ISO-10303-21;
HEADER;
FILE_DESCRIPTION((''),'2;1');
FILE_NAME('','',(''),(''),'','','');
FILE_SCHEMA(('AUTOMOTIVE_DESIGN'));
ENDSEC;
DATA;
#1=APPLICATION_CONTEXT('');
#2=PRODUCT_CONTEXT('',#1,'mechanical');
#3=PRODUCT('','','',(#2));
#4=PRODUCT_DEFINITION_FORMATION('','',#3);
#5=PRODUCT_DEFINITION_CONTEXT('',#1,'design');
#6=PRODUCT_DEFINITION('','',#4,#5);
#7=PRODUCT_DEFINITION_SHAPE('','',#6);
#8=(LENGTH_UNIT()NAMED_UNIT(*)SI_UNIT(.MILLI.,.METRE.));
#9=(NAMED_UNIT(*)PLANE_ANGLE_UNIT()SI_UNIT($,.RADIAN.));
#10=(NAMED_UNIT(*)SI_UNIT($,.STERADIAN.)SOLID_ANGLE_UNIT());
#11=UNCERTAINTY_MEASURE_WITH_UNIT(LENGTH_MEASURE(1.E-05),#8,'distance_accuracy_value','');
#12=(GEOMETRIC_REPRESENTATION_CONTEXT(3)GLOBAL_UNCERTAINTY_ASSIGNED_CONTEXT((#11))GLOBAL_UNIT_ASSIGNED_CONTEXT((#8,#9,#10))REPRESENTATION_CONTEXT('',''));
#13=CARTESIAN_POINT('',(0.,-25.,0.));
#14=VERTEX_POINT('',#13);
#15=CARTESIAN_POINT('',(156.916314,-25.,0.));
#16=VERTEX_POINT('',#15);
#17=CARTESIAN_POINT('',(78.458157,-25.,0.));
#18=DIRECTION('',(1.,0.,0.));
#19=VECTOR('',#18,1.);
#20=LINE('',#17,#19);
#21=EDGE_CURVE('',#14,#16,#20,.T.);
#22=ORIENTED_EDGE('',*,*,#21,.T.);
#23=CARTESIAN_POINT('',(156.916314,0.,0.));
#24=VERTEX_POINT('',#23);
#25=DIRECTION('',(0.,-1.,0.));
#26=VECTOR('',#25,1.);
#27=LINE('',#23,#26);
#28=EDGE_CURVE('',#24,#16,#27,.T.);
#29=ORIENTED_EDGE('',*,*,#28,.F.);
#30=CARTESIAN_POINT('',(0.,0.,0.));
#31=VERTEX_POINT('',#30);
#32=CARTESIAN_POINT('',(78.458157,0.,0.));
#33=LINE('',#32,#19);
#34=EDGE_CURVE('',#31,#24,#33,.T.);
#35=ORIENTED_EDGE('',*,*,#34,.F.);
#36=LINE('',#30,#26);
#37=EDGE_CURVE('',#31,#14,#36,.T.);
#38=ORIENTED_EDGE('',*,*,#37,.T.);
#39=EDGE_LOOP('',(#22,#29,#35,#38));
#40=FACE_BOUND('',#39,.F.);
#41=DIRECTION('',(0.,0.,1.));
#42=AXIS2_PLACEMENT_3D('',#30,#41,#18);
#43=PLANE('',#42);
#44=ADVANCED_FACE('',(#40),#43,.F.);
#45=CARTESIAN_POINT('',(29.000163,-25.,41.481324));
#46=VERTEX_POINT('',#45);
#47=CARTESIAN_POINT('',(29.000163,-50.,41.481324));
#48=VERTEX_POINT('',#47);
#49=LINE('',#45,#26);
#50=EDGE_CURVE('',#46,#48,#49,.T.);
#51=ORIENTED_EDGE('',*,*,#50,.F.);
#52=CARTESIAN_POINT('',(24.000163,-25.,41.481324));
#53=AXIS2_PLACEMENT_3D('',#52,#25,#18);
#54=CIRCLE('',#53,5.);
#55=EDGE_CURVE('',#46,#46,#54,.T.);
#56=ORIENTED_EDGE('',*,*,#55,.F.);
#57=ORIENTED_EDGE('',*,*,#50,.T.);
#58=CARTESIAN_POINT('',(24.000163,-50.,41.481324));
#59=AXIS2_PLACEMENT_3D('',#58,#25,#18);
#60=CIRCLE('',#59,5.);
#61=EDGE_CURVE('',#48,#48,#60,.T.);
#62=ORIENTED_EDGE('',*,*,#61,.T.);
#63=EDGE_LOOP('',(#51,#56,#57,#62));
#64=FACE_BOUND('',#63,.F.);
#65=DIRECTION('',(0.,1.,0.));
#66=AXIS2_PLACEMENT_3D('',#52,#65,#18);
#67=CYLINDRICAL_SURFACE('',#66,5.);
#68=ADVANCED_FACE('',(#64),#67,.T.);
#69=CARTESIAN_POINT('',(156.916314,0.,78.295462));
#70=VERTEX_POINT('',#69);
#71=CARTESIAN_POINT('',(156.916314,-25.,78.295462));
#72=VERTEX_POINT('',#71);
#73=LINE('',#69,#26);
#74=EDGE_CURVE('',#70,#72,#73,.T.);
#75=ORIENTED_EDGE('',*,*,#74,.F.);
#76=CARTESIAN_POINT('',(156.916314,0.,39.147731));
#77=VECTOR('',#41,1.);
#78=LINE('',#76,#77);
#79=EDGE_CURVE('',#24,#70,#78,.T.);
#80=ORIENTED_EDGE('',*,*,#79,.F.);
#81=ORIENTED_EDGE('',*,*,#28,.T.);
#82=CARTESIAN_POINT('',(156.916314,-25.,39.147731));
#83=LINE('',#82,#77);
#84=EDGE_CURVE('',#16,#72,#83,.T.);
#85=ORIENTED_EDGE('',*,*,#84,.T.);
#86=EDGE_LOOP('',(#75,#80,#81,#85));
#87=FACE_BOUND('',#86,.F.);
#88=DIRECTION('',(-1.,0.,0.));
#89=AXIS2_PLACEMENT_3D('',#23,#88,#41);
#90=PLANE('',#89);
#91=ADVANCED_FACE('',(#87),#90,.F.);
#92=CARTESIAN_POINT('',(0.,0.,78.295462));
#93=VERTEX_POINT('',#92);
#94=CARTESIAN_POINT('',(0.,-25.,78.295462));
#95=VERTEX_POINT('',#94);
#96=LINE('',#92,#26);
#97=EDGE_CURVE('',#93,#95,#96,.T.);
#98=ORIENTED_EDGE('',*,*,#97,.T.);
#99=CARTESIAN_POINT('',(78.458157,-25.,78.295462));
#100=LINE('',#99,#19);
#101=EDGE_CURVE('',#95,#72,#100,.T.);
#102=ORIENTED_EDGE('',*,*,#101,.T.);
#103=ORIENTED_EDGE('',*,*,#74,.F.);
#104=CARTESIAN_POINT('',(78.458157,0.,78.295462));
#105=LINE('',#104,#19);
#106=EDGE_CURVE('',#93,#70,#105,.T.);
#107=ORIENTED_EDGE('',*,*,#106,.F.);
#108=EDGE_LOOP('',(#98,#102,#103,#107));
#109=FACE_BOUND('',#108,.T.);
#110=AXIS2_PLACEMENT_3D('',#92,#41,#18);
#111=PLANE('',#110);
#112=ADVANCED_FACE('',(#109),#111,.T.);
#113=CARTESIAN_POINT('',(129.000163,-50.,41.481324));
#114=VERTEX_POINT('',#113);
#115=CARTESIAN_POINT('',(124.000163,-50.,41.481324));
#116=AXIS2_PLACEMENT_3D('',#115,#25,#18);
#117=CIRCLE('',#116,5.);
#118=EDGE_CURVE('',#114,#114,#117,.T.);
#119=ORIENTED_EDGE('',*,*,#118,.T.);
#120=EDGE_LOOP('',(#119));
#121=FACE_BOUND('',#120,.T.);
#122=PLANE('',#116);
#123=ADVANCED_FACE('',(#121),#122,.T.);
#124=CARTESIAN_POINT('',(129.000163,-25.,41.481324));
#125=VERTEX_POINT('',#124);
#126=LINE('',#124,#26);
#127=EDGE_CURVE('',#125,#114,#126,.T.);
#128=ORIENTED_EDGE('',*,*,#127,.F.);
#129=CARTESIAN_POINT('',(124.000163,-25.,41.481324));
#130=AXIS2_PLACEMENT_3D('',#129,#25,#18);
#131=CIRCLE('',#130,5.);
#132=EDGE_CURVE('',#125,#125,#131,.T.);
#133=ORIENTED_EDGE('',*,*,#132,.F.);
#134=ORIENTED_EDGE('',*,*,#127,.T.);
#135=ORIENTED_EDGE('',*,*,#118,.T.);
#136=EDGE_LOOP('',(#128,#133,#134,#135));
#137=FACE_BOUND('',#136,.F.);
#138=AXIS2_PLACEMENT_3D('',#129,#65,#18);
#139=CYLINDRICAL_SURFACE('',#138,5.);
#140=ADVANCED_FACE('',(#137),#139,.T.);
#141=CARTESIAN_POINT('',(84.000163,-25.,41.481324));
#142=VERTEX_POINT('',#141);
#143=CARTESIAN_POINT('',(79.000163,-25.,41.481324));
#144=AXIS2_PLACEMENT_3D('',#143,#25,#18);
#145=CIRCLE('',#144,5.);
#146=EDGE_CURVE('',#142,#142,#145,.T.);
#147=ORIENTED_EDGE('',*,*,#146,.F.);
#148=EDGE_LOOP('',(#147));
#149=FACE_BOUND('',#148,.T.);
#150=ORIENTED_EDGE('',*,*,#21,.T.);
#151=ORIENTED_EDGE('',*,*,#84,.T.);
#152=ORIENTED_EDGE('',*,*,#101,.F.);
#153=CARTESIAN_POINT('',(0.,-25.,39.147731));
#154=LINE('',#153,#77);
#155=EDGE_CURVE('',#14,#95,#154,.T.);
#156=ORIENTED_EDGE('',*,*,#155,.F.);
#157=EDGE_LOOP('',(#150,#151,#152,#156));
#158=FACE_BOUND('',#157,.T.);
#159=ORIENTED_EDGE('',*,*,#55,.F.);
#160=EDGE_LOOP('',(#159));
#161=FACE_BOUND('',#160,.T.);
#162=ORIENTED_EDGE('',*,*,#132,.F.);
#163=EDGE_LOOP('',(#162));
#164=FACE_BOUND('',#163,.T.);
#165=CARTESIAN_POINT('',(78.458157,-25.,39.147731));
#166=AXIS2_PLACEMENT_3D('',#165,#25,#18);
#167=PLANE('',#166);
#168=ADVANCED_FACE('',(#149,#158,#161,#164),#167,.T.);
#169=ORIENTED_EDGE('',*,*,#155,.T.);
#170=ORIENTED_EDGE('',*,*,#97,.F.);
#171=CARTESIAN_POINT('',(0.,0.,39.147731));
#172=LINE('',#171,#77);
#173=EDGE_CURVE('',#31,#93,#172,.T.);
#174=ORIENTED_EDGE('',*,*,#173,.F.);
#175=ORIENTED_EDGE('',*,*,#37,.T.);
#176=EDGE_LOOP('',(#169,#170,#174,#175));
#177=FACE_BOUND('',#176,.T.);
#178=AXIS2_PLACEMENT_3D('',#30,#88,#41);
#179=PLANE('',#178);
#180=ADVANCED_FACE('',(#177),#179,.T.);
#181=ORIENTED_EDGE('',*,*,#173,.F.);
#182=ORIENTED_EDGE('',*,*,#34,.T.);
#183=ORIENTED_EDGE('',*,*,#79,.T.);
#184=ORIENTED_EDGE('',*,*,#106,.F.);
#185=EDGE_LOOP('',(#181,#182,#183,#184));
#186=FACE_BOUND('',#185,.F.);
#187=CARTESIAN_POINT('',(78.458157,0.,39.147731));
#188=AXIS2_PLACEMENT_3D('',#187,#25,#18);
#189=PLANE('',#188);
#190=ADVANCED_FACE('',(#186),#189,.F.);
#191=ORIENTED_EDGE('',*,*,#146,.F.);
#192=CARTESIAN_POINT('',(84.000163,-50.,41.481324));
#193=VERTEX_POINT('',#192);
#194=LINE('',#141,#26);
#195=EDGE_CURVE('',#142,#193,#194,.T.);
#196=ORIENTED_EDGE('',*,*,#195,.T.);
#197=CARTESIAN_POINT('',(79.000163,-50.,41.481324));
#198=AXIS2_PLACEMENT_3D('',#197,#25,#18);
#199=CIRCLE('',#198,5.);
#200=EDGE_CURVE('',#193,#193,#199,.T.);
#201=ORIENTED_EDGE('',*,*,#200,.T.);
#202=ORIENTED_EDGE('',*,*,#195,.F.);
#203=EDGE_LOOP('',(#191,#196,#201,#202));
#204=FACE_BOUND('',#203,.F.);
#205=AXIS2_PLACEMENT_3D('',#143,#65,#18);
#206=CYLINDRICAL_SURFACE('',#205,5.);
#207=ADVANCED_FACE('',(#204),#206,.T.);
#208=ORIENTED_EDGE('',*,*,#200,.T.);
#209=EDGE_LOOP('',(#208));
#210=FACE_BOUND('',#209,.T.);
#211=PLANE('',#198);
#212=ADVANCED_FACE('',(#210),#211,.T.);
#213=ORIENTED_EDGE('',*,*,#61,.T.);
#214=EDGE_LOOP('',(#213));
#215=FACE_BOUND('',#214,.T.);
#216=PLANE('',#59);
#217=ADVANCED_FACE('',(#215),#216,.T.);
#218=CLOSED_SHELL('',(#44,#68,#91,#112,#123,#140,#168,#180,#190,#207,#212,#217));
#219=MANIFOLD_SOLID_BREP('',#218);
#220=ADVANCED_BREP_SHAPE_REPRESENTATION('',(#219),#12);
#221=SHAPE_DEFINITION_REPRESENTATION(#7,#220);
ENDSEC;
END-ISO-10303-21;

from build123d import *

# Parameters (mm, degrees)
F0_W     = 156.916313
F0_H     = 78.295462
F1_DEPTH = 25
F2_R     = 5
F3_DEPTH = 25


with BuildPart() as f1:
    # F0 (on Front) → F1 (new body)
    with BuildSketch(Plane.XZ):
        with Locations((78.458157, 39.147731)):
            Rectangle(F0_W, F0_H)
    extrude(amount=F1_DEPTH)

    # F2 (on face) → F3 (join)
    with BuildSketch(Plane.XZ.offset(25)):
        with Locations((24.000163, 41.481324)):
            Circle(F2_R)
        with Locations((79.000163, 41.481324)):
            Circle(F2_R)
        with Locations((124.000163, 41.481324)):
            Circle(F2_R)
    extrude(amount=F3_DEPTH)


solid = f1.part
